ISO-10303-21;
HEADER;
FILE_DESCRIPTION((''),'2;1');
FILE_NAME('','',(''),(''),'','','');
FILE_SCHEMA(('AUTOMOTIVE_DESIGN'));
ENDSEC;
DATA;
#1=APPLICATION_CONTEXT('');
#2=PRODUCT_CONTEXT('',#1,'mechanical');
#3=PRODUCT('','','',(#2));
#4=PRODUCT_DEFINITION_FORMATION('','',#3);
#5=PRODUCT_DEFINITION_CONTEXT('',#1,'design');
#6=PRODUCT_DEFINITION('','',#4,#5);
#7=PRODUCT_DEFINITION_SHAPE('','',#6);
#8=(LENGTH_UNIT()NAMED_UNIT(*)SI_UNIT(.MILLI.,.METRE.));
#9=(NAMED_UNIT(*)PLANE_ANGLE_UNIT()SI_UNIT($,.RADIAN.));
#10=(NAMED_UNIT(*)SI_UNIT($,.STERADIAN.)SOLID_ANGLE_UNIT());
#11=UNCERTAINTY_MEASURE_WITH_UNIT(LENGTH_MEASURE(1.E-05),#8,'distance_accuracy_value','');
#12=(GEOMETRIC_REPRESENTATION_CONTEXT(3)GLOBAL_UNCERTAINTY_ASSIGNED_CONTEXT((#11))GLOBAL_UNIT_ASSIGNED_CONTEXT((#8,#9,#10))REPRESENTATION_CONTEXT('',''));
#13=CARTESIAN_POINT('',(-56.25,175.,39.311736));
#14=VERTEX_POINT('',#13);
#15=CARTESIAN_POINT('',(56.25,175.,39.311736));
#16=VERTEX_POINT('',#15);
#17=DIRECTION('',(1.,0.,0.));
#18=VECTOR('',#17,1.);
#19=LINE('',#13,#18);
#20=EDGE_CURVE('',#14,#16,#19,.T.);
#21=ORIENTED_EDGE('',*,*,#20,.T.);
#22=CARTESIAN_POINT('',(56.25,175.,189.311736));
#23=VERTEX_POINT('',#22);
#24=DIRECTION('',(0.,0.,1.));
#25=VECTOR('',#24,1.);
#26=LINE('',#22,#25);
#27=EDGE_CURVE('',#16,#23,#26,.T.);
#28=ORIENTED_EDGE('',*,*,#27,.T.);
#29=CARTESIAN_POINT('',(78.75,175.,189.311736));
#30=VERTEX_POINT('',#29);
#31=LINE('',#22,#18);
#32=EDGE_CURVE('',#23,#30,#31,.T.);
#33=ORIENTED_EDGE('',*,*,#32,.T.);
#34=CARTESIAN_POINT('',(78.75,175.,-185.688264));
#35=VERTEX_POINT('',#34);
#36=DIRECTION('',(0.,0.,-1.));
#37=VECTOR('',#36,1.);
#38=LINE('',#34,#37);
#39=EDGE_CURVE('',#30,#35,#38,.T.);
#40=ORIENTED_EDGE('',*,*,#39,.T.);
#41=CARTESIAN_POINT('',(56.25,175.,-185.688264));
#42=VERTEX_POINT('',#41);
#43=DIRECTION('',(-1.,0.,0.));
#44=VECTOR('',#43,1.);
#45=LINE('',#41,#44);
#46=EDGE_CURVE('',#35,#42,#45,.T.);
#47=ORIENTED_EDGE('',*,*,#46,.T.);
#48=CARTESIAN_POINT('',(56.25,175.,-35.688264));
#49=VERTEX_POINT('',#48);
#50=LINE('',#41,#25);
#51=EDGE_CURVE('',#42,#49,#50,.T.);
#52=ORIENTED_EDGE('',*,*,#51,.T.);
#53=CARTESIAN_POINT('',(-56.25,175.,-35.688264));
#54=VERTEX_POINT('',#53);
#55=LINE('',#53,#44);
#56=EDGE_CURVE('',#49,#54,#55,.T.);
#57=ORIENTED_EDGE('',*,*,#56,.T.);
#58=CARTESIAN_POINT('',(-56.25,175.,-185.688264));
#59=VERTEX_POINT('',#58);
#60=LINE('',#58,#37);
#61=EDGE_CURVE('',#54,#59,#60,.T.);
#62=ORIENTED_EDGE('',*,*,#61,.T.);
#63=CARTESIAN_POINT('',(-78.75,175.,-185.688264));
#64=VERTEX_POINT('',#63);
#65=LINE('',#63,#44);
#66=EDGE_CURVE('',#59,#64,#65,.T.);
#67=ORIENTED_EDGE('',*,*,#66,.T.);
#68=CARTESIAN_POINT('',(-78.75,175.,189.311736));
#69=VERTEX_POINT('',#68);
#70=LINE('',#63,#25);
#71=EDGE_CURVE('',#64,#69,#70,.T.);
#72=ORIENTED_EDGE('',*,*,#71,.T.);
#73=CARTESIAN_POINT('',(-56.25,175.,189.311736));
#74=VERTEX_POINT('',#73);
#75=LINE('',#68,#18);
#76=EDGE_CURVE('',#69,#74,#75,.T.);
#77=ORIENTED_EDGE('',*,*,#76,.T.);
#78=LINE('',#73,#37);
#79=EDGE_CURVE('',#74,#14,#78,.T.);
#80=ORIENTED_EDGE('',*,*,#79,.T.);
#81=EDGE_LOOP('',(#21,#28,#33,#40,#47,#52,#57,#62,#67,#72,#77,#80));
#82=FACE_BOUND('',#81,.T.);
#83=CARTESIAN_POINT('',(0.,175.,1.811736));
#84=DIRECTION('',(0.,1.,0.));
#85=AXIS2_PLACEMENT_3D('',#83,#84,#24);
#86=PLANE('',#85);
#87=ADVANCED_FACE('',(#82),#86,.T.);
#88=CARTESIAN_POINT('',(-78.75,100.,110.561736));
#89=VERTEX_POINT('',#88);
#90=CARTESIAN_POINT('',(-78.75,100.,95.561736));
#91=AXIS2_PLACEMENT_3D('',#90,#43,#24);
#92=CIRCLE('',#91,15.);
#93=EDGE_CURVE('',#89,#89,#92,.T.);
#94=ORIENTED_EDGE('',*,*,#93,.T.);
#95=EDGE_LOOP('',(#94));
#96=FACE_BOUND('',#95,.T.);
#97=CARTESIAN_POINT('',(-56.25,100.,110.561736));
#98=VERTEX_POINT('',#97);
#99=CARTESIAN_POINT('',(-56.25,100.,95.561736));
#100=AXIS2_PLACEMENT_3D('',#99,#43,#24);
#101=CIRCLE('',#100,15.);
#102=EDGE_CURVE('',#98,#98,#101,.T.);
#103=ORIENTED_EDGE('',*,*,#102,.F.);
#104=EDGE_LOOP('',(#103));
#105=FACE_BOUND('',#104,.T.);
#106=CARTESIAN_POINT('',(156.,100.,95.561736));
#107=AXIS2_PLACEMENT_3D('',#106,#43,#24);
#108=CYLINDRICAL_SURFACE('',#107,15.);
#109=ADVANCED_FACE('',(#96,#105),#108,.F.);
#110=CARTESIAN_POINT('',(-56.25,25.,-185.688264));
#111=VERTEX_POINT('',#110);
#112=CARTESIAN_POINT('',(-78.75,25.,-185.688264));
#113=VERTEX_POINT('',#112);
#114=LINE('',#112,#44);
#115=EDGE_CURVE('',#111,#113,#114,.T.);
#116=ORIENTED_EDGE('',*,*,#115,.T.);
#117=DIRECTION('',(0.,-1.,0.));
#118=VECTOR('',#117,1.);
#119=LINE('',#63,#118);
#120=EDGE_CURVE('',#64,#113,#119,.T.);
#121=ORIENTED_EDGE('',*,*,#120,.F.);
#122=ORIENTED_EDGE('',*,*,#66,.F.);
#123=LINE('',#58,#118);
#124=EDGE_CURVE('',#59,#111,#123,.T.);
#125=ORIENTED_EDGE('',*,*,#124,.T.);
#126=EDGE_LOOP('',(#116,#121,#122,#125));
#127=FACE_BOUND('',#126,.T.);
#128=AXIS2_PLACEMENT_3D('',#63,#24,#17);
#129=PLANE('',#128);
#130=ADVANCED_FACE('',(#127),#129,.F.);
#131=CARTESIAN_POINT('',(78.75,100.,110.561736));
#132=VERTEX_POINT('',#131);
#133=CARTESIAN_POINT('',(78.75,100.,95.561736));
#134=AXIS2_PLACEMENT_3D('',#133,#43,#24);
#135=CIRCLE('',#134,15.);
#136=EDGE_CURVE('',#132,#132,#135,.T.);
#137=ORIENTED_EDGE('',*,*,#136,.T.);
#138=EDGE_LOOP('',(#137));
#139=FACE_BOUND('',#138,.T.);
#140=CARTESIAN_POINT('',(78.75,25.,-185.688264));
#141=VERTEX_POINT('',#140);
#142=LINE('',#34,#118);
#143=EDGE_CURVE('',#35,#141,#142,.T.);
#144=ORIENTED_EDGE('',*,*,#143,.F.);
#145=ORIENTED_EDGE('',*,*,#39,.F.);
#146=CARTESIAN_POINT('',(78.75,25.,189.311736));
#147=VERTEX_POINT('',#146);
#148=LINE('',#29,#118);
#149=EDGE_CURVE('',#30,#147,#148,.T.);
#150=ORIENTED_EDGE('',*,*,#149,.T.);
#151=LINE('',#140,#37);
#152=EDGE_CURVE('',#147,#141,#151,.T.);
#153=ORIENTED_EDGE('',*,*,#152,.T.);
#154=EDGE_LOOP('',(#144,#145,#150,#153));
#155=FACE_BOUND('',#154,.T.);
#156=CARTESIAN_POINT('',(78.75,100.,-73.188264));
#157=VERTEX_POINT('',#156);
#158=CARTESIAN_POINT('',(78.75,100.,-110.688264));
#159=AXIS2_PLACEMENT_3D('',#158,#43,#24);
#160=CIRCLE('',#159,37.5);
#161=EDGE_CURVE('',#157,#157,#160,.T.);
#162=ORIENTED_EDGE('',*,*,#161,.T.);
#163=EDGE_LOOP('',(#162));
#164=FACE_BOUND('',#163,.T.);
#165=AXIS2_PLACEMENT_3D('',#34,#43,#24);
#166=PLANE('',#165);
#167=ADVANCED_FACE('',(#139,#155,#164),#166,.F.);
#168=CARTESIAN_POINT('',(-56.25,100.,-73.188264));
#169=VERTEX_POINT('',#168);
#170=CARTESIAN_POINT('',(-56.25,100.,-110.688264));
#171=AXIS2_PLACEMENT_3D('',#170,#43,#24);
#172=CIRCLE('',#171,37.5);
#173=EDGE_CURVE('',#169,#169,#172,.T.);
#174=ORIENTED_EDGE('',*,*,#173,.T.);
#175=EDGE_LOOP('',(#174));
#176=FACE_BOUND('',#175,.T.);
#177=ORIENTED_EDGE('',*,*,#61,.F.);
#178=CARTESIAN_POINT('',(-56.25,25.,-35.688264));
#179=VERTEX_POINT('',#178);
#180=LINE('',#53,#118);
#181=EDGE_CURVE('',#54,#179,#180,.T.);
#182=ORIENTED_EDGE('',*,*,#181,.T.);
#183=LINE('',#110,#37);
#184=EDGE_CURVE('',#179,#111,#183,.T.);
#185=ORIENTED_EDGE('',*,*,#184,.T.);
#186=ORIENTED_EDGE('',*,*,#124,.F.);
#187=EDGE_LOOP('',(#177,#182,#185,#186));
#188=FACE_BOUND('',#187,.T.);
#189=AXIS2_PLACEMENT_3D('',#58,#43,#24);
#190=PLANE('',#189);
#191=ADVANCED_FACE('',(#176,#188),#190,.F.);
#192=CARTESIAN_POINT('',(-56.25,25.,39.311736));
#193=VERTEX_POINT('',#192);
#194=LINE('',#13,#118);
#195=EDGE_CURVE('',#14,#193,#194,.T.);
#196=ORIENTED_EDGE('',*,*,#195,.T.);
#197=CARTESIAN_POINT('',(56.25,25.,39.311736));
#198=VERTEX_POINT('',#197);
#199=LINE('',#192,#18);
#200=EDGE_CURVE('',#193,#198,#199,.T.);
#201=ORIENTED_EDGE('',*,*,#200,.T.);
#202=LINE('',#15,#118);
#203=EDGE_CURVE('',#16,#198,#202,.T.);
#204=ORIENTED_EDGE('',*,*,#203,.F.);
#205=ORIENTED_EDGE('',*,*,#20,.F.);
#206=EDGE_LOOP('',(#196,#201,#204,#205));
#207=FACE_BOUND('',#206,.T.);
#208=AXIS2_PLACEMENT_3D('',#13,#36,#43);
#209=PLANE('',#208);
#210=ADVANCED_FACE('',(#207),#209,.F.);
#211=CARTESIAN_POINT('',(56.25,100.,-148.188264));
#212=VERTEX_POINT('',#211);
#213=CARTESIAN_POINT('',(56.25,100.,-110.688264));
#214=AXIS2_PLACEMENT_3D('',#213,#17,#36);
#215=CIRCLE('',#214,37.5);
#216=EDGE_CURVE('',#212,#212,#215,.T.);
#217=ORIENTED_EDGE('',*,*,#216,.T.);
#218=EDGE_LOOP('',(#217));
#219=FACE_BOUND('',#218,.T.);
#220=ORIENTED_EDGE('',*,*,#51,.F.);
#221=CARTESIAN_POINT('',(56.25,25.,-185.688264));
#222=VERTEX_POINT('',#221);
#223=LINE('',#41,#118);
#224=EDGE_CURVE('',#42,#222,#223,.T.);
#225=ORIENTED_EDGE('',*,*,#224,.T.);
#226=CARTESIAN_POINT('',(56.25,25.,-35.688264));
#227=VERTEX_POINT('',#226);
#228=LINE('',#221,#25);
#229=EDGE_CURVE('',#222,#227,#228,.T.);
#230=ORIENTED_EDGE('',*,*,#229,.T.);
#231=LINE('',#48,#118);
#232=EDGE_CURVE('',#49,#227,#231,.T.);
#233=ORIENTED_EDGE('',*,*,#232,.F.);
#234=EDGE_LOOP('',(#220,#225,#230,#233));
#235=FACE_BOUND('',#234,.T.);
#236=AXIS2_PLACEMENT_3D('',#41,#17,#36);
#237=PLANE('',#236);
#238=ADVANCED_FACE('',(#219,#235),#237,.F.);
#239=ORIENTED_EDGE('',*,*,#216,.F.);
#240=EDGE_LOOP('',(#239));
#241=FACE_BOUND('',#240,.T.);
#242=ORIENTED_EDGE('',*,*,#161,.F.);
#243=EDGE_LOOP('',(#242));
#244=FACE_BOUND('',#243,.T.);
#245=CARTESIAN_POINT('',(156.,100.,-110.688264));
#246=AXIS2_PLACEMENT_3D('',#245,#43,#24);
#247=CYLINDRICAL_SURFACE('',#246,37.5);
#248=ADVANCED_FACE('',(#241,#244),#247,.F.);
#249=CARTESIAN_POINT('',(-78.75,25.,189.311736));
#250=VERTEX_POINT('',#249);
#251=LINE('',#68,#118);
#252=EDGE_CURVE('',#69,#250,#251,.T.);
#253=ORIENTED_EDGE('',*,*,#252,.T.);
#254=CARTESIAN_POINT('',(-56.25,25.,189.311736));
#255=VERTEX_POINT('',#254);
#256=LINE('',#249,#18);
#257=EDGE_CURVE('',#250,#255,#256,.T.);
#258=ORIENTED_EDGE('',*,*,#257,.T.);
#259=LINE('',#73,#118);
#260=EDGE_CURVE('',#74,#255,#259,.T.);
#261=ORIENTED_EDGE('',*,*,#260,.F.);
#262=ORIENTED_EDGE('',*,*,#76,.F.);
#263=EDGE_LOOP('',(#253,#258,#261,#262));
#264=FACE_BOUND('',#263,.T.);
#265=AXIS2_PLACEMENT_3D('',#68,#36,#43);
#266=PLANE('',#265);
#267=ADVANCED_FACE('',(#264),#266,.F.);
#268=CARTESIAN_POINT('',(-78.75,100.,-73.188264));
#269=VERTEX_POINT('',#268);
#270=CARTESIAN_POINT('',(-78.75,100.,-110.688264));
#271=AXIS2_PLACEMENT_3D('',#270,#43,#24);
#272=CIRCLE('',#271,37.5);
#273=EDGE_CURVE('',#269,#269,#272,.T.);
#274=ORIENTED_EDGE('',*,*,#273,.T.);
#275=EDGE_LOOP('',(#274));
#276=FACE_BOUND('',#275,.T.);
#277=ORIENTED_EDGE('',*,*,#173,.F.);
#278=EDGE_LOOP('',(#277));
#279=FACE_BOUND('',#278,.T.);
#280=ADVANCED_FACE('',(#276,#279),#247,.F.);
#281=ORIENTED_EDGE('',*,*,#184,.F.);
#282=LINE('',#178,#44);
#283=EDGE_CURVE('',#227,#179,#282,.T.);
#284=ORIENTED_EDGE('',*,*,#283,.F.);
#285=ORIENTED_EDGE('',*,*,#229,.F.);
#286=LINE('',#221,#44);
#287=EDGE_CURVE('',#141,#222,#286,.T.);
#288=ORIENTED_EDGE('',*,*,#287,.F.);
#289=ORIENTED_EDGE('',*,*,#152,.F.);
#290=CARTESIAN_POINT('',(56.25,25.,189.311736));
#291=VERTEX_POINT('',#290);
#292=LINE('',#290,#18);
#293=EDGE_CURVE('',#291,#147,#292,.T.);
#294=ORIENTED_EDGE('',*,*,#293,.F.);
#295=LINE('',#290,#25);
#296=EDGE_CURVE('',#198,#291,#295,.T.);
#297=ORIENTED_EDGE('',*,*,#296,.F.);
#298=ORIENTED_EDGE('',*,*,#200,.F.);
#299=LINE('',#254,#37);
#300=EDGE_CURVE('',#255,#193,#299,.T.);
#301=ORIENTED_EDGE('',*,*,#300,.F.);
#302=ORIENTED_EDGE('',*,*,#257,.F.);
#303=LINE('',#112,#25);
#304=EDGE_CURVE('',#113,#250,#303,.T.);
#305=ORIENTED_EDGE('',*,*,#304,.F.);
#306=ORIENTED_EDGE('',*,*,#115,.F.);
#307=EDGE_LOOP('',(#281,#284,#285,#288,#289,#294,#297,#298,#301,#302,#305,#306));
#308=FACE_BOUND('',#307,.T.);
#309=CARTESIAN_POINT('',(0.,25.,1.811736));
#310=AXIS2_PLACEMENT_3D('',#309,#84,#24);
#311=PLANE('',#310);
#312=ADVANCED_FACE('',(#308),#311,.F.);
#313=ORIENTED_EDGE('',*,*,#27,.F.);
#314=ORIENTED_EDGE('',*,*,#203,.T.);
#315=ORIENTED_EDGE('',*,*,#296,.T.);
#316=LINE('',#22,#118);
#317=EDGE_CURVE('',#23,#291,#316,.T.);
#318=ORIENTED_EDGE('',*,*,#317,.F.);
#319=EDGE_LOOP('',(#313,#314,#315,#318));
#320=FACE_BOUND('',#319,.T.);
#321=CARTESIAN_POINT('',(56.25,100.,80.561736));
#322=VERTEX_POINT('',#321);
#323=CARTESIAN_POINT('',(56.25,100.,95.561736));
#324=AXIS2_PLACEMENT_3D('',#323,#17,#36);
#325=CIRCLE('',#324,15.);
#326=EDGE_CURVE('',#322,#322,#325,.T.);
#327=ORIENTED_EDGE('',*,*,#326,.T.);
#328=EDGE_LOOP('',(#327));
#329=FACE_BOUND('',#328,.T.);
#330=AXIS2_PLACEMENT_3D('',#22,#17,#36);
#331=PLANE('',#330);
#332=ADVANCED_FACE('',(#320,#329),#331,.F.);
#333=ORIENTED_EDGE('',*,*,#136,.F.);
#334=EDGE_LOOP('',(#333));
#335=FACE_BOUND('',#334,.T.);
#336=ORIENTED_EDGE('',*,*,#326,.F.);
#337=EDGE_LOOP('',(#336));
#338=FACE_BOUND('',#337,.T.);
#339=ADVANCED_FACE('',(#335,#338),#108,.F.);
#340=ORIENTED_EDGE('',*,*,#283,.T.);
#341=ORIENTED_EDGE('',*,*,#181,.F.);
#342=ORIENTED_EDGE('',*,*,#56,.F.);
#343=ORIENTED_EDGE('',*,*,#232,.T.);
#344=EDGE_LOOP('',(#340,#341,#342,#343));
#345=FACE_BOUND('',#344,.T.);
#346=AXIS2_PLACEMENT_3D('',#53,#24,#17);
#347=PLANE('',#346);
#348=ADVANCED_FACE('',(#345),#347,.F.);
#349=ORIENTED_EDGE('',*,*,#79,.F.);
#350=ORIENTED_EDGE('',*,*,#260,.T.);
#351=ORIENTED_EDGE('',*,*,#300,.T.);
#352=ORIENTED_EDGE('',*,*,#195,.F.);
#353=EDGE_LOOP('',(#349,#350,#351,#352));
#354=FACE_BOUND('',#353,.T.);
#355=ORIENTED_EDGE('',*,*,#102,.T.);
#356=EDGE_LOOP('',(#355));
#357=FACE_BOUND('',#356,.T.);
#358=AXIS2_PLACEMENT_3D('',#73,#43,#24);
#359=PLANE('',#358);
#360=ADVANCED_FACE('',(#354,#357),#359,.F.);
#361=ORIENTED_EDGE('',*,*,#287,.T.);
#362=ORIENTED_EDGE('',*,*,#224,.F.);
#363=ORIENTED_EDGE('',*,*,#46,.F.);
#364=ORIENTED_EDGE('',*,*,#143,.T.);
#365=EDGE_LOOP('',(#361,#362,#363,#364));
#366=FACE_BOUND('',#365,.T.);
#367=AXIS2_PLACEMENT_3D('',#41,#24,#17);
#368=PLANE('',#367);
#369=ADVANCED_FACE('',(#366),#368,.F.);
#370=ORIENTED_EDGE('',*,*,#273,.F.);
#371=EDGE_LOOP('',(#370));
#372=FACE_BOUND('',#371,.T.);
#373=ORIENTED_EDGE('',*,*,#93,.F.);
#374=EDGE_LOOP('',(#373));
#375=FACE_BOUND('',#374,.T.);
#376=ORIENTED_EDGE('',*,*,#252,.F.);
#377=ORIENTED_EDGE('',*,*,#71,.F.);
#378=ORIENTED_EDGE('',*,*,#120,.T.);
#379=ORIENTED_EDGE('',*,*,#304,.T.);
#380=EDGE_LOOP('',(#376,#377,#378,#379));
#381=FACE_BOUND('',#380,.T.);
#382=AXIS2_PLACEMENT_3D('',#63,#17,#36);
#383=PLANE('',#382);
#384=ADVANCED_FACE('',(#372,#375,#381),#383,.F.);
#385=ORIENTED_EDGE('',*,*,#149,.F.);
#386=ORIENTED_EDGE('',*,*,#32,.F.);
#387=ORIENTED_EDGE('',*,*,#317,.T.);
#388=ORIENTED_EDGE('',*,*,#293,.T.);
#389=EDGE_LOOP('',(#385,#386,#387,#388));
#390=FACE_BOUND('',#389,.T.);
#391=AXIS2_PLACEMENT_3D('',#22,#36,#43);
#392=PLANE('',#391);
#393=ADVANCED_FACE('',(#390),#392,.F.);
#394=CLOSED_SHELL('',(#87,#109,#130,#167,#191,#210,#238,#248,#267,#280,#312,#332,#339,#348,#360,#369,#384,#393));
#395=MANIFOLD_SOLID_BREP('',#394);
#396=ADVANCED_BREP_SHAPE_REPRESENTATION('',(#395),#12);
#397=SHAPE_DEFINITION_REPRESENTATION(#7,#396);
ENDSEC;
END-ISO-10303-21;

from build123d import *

# Parameters (mm, degrees)
BOSS_EXTRUDE1_DEPTH = 200
SKETCH4_R           = 20
SKETCH4_R_2         = 50
CUT_EXTRUDE1_DEPTH  = 313
SCALE1_SCALE        = 0.75


with BuildPart() as part:
    # Sketch1 → Boss-Extrude1 (new body)
    with BuildSketch(Plane(origin=(0, 0, 0), x_dir=(1, 0, 0), z_dir=(0, 1, 0))):
        Polygon((75, -250), (105, -250), (105, 250), (75, 250), (75, 50), (-75, 50), (-75, 250), (-105, 250), (-105, -250), (-75, -250), (-75, -50), (75, -50), align=None)
    extrude(amount=BOSS_EXTRUDE1_DEPTH)

    # Sketch4 → Cut-Extrude1 (cut)
    with BuildSketch(Plane.ZY.offset(105)):
        with Locations((125, 100)):
            Circle(SKETCH4_R)
        with Locations((-150, 100)):
            Circle(SKETCH4_R_2)
    extrude(amount=-CUT_EXTRUDE1_DEPTH, mode=Mode.SUBTRACT)


with BuildPart() as part_1:
    # Scale1: scaled about (0, 100, 7.246945107)
    add(part.part.scale(SCALE1_SCALE).moved(Location((0, 25, 1.811736277))))


solid = part_1.part
